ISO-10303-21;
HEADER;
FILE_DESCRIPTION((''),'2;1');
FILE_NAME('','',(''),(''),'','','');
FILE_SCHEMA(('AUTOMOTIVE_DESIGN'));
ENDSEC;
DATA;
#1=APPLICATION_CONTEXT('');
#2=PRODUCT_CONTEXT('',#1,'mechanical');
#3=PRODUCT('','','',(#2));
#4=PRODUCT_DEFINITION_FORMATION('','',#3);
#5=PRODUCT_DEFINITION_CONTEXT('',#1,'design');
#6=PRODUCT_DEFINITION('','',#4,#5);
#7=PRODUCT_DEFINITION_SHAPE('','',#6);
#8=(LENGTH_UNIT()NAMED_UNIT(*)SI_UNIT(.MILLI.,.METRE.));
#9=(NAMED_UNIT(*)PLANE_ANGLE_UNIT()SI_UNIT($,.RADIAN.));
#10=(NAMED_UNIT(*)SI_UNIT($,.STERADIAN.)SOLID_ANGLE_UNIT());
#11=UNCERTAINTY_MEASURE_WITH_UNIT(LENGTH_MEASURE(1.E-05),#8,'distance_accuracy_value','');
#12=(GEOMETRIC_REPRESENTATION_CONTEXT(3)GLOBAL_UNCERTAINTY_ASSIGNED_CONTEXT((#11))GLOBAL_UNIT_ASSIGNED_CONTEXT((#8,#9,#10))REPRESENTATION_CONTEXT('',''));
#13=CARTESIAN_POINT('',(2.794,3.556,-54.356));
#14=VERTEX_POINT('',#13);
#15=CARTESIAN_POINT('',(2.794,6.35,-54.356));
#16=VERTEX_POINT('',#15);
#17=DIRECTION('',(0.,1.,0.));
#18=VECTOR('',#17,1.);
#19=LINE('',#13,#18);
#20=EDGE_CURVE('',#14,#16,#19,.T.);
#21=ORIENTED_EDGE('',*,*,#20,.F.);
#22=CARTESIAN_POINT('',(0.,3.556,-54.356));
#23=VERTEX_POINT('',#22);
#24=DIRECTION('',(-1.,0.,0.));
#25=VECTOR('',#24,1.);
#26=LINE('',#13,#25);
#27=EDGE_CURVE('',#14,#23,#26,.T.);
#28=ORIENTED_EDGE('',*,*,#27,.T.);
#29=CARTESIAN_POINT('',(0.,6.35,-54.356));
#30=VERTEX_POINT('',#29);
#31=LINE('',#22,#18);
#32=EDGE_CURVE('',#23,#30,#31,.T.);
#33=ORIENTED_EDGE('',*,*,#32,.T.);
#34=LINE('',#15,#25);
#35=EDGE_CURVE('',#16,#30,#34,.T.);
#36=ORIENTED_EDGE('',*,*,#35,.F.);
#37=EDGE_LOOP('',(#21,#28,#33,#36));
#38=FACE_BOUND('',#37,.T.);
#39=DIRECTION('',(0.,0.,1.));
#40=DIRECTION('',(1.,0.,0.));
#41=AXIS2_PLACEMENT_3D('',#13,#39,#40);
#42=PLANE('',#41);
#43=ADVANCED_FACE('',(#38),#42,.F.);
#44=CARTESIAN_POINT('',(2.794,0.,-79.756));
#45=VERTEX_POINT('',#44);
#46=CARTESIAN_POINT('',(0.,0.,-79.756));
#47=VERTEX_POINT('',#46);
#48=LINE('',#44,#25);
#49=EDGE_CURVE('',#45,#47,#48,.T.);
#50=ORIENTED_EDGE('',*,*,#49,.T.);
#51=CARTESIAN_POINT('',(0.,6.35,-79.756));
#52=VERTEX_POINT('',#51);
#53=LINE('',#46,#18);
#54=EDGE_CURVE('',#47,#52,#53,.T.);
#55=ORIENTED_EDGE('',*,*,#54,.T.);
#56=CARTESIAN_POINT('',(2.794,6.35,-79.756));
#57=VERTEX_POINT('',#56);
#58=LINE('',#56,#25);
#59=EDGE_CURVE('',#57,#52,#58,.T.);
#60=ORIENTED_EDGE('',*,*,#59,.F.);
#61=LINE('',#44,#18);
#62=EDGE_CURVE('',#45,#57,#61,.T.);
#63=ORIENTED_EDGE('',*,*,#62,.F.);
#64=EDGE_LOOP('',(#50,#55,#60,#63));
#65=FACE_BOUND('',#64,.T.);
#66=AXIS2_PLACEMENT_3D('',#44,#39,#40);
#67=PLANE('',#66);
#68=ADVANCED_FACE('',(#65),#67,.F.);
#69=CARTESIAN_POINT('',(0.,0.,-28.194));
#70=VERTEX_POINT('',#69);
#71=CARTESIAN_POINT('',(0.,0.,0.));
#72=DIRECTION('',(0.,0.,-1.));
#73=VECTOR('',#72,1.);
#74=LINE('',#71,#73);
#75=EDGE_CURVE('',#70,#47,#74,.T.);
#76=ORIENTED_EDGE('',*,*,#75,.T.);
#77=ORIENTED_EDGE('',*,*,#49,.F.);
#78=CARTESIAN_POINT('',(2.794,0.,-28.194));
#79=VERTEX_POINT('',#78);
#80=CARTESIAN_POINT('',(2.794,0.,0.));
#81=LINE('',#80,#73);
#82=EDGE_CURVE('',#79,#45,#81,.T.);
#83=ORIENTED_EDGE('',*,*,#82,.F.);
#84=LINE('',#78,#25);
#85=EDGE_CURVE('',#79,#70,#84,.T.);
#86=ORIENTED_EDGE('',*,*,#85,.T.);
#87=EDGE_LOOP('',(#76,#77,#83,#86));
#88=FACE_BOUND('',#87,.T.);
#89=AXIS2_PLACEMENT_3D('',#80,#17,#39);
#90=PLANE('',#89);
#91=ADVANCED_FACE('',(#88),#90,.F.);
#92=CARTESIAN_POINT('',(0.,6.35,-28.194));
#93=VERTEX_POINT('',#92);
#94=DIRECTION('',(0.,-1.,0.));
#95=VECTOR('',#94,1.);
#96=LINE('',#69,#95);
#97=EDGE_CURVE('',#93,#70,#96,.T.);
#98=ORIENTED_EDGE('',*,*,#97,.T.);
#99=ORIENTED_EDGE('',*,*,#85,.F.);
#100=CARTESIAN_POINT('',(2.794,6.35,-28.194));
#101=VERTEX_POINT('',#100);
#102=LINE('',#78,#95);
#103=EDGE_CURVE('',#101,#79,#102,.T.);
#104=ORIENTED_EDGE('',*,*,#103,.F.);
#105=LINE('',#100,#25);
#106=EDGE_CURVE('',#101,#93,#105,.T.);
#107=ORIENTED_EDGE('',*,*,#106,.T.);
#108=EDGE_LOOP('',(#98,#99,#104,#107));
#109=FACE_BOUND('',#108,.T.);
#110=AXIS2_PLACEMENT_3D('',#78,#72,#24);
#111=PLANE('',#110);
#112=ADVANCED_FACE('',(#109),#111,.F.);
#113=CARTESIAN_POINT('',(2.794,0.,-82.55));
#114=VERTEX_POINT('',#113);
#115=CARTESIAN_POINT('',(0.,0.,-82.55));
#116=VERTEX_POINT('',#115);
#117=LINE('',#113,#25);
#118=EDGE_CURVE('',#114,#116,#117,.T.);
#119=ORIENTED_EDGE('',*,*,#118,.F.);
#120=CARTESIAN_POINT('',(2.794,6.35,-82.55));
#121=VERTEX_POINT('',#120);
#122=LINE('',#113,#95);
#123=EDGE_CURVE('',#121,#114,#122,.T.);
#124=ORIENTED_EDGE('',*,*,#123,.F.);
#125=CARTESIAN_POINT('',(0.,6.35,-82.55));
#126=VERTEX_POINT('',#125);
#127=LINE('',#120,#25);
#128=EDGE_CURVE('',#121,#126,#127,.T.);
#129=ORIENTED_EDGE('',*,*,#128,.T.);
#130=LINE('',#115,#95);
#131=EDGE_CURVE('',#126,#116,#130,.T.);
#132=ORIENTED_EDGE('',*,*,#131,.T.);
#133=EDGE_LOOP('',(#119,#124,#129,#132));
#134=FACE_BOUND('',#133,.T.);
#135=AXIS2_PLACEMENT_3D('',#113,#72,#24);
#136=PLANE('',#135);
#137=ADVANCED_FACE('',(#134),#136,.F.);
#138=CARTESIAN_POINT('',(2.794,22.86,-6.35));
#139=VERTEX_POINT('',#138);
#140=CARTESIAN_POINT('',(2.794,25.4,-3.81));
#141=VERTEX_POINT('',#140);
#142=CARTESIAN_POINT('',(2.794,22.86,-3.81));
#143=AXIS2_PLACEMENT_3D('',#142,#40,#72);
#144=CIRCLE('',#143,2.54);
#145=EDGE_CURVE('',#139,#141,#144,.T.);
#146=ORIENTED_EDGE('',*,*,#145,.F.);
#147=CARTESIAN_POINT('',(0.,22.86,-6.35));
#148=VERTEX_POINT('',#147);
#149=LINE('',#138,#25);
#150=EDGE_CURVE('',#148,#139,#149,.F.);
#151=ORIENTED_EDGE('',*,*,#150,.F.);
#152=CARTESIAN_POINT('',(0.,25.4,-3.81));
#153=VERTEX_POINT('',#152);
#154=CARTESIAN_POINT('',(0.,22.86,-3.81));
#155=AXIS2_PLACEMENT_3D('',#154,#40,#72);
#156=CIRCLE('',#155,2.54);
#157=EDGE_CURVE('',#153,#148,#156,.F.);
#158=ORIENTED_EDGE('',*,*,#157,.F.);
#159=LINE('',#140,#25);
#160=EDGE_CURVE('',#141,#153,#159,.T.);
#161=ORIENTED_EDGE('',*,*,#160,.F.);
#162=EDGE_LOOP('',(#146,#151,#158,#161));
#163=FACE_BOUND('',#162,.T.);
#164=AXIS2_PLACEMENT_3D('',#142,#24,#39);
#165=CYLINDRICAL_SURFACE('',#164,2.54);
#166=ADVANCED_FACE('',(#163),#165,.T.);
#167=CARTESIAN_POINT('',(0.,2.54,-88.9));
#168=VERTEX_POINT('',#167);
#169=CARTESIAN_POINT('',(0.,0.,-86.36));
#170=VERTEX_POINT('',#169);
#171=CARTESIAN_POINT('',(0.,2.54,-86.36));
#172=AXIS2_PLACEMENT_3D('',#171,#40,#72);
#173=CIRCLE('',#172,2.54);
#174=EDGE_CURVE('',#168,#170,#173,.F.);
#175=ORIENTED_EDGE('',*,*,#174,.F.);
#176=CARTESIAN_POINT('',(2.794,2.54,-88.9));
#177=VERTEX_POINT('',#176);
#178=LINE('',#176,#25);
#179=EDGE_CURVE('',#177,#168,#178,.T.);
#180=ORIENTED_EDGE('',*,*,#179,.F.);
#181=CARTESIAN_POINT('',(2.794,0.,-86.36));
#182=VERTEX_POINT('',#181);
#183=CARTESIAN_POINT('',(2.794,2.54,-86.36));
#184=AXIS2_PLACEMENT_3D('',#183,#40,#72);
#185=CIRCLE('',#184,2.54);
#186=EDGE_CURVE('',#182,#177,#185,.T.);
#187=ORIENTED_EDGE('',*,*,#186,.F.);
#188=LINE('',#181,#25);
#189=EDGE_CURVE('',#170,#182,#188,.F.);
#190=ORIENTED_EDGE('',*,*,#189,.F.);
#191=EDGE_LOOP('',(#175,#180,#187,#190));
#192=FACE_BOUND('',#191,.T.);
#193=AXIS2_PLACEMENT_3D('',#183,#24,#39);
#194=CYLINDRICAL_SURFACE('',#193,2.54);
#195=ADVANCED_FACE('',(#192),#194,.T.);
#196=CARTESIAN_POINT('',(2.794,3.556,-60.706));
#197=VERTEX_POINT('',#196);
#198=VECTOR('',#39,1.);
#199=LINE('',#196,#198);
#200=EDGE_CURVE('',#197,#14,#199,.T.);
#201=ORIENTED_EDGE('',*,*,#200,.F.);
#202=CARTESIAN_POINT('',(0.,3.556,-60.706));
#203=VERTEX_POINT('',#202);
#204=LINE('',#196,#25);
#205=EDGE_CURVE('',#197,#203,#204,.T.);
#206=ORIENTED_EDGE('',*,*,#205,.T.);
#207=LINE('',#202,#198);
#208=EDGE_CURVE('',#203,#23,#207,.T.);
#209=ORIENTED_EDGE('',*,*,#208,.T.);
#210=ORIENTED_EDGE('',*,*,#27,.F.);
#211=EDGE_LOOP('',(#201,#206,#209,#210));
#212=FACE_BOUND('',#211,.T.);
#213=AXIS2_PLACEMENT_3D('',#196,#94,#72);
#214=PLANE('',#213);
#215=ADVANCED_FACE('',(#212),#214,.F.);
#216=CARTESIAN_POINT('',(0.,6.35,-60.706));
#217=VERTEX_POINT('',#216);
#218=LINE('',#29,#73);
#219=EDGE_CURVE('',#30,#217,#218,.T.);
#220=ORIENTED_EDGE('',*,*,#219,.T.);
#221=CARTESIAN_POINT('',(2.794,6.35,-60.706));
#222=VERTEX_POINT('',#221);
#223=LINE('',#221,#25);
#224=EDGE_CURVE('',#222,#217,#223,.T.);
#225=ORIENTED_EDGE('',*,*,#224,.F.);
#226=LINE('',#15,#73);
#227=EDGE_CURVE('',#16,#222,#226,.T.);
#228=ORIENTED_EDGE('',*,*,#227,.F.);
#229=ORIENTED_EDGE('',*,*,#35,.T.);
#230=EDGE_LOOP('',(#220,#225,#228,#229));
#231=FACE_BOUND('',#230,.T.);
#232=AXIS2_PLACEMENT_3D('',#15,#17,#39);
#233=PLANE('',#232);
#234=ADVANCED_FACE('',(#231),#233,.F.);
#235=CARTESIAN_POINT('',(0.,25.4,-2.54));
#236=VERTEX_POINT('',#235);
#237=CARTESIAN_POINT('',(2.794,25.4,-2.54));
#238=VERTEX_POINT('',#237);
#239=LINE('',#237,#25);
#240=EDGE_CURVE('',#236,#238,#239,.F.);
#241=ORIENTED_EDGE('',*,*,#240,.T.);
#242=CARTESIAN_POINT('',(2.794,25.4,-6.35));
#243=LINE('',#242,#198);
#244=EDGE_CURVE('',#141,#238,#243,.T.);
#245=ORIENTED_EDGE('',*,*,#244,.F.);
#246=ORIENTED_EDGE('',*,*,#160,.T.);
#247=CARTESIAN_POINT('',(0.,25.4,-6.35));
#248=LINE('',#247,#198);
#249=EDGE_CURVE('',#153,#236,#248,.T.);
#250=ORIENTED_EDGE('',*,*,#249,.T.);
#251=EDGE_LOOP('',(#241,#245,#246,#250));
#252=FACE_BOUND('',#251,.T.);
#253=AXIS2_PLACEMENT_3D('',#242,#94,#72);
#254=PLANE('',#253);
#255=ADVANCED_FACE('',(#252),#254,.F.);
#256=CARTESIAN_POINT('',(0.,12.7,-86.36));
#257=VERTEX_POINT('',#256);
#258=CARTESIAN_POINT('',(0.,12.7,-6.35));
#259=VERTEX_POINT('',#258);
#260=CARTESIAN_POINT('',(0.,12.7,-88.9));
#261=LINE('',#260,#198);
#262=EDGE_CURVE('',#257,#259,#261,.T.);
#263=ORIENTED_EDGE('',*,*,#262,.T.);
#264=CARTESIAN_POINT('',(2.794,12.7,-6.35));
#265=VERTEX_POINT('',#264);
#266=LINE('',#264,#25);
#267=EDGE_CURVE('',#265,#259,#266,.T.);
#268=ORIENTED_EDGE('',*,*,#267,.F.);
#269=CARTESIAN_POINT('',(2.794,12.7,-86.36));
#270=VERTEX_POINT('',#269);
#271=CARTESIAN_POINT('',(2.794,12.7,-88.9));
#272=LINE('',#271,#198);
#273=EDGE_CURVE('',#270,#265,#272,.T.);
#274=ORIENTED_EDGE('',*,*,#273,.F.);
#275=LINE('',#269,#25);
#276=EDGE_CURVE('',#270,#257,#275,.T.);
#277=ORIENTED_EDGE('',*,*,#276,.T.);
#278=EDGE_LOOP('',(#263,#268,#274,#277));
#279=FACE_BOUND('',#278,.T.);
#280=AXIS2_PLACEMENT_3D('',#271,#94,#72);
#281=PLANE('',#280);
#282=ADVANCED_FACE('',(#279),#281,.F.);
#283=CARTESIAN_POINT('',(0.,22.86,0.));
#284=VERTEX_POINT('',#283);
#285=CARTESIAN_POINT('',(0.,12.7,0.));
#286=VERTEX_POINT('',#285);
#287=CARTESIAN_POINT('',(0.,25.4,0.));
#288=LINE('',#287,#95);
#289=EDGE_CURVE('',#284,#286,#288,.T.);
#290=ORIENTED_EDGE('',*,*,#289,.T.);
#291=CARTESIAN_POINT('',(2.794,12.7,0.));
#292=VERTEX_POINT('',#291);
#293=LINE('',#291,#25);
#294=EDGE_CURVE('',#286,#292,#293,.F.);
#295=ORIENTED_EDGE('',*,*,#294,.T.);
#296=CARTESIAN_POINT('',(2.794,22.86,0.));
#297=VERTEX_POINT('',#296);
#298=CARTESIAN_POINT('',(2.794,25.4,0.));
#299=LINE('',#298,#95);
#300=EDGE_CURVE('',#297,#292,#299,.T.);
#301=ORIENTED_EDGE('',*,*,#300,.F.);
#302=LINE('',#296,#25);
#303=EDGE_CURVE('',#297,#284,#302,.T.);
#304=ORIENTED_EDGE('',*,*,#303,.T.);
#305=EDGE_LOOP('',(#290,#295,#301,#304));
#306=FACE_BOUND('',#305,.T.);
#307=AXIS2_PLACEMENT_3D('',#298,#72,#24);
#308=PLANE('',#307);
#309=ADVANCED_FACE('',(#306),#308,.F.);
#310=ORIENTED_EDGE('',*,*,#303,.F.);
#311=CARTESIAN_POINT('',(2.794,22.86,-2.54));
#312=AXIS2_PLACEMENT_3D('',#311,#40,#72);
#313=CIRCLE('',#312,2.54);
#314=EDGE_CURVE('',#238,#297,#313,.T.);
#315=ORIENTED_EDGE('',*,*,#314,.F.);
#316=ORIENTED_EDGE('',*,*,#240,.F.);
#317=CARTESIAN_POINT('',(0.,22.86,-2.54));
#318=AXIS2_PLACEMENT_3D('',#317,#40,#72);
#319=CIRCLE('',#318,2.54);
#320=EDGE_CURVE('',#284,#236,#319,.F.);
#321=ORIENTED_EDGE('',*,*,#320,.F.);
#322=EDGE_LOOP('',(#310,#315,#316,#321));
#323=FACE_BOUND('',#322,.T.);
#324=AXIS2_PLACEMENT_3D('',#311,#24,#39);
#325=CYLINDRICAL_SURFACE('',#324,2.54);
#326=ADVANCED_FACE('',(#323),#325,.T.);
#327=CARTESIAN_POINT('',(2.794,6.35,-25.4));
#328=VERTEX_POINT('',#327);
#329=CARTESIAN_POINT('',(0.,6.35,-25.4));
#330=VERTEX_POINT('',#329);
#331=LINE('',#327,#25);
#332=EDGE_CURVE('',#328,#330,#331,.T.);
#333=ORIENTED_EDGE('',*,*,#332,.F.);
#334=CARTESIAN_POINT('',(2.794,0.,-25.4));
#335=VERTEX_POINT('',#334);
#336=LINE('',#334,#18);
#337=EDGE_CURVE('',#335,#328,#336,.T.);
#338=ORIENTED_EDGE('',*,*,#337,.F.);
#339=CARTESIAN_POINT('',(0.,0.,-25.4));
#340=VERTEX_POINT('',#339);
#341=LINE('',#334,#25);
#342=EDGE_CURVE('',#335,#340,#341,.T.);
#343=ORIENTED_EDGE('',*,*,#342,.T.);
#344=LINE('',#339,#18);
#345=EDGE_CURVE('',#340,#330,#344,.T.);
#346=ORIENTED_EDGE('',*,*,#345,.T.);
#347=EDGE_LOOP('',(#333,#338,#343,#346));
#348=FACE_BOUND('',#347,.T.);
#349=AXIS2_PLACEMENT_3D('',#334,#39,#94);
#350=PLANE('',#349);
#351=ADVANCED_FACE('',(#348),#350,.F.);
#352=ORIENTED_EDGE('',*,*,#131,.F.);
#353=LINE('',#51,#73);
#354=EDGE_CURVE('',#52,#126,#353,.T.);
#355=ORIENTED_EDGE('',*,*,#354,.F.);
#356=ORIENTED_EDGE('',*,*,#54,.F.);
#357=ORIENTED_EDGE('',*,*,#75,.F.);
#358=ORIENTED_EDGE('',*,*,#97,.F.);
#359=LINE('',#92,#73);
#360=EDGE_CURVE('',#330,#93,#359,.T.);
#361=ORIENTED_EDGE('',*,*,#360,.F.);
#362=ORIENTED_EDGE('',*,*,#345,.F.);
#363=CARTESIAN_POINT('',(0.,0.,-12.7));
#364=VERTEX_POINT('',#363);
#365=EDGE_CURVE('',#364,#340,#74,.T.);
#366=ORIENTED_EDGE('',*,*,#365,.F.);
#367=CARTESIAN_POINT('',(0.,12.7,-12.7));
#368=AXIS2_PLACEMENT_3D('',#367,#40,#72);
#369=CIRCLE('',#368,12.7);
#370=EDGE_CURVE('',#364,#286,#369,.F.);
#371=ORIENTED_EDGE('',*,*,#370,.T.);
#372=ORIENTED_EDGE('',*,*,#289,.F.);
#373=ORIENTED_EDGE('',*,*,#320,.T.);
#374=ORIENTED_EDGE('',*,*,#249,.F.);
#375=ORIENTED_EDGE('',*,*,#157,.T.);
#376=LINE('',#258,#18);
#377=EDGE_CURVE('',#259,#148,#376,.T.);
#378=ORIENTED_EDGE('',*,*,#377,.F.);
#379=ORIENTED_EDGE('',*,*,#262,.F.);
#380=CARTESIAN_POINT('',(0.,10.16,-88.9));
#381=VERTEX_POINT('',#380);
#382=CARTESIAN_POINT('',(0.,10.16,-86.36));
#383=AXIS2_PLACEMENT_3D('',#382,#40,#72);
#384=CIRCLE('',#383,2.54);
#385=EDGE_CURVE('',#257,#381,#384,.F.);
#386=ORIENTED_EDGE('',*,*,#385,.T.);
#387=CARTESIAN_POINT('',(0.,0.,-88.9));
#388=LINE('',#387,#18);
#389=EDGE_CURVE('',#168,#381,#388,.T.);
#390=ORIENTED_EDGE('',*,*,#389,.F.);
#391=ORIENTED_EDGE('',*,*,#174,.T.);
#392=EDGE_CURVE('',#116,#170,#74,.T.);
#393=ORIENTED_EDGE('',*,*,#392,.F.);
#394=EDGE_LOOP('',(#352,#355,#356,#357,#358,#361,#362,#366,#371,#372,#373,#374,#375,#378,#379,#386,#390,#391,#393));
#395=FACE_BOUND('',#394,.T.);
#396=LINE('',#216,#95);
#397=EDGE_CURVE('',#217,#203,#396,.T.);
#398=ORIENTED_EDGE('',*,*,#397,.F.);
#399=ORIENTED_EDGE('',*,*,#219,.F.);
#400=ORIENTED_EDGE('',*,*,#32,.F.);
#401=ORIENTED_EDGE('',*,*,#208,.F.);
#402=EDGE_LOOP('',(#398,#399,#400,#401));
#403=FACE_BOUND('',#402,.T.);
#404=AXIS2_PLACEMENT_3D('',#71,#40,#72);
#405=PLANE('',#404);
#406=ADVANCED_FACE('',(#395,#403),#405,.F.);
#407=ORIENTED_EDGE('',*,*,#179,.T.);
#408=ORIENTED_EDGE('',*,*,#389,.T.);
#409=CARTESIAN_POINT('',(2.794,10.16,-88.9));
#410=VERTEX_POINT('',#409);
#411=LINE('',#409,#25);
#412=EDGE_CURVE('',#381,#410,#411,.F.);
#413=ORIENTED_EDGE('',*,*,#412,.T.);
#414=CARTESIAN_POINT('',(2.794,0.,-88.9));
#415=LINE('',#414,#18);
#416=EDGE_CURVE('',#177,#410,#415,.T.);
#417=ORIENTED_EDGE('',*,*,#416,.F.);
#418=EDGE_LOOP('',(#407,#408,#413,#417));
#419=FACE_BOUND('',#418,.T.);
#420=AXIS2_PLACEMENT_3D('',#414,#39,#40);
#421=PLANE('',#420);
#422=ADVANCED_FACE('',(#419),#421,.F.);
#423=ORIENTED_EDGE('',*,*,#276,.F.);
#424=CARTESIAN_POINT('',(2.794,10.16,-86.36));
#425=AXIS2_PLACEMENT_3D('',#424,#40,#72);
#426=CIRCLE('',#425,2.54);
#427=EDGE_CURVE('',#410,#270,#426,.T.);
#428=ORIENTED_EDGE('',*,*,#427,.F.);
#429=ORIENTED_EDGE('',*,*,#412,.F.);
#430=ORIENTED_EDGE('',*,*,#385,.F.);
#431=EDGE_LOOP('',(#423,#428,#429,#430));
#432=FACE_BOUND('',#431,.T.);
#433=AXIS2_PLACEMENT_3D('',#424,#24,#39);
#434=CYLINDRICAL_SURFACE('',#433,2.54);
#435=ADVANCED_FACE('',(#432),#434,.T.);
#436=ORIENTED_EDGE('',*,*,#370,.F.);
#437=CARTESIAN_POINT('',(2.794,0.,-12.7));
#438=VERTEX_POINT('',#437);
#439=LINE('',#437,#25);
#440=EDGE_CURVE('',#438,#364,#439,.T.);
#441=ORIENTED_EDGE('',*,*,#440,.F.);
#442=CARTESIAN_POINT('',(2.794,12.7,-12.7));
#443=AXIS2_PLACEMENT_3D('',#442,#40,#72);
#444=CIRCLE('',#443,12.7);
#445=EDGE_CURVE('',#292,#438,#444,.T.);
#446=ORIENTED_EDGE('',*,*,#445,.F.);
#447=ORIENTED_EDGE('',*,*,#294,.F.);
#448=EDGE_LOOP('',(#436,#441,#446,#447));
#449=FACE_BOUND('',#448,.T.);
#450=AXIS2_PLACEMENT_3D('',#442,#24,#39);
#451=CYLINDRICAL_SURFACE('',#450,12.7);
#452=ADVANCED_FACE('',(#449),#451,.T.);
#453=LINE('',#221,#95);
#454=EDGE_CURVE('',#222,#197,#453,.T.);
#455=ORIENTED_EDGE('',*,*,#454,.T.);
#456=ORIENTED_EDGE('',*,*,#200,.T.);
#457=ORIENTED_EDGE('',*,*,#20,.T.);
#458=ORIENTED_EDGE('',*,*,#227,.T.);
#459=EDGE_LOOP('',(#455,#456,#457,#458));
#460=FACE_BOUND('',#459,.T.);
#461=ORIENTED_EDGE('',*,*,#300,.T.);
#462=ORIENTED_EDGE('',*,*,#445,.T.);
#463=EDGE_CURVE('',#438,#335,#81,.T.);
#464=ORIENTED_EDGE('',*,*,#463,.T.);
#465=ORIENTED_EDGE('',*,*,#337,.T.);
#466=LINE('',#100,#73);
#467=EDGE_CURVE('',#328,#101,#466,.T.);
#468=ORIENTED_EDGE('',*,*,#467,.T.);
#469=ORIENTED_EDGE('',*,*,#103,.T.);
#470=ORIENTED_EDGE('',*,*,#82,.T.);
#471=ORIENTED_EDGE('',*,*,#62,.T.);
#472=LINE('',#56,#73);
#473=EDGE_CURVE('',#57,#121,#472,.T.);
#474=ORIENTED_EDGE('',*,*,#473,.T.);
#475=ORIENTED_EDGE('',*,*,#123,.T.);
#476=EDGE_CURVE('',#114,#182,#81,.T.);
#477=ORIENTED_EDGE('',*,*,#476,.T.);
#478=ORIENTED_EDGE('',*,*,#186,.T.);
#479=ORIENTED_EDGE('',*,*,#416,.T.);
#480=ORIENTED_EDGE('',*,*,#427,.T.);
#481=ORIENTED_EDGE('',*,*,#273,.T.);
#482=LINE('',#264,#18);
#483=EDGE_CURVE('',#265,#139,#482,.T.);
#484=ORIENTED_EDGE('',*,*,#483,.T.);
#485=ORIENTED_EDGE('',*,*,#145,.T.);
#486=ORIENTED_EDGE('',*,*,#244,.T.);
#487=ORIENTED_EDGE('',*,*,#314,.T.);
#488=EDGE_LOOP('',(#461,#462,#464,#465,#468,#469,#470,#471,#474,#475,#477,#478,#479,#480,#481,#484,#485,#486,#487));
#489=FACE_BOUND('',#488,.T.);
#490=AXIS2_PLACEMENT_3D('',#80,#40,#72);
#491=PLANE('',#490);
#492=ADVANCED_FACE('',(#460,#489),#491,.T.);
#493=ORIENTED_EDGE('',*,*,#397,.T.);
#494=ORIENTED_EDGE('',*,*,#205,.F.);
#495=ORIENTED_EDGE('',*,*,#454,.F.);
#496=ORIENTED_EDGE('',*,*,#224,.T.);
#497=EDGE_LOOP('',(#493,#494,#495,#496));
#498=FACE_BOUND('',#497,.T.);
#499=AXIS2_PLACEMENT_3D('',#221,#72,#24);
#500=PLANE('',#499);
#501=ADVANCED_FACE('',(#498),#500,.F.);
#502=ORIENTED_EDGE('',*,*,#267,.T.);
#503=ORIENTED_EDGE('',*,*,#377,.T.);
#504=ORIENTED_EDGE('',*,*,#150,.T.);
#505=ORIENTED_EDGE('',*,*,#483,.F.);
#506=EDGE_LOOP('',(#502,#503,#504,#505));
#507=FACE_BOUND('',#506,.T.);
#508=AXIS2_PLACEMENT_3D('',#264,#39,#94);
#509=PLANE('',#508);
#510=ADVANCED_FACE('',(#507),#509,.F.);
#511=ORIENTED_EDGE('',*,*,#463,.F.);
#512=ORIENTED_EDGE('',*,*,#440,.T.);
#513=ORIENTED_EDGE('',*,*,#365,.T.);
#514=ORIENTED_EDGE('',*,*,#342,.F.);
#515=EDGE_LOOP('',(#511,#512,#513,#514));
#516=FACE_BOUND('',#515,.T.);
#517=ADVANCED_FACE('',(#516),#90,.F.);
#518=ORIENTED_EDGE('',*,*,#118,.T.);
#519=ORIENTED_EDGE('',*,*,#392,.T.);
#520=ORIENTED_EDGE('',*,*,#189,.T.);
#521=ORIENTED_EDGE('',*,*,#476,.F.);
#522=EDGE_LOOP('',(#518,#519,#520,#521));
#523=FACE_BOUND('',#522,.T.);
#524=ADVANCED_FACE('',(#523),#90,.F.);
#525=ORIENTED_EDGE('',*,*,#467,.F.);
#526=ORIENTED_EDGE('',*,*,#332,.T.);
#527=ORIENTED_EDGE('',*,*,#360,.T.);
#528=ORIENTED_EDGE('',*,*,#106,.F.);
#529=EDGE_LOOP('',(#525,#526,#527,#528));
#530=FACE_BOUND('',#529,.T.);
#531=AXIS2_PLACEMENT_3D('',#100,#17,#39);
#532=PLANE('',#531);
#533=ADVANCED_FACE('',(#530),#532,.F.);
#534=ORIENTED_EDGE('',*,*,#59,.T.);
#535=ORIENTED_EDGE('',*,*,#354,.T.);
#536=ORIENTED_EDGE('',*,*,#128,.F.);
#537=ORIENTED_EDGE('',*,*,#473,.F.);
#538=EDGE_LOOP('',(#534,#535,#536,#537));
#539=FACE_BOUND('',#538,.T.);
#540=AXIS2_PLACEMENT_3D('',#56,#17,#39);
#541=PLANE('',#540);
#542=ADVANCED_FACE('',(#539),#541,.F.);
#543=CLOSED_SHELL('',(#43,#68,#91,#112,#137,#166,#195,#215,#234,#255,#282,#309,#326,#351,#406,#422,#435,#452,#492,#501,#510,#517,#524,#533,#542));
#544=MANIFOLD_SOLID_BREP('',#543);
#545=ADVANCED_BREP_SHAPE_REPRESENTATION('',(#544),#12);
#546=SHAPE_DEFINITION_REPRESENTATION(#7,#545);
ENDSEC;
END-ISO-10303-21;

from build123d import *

# Parameters (mm, degrees)
BOSS_EXTRUDE1_DEPTH = 2.794
FILLET1_R           = 2.54
FILLET2_R           = 12.7
SKETCH2_W           = 2.794
SKETCH2_H           = 6.35
SKETCH2_W_2         = 6.35
SKETCH2_H_2         = 2.794
CUT_EXTRUDE1_DEPTH  = 93.499602356


with BuildPart() as part:
    # Sketch1 → Boss-Extrude1 (new body)
    with BuildSketch(Plane(origin=(0, 0, 0), x_dir=(0, 0, -1), z_dir=(1, 0, 0))):
        Polygon((0, 0), (88.9, 0), (88.9, 12.7), (6.35, 12.7), (6.35, 25.4), (0, 25.4), align=None)
    extrude(amount=BOSS_EXTRUDE1_DEPTH)

    # Fillet1
    fillet1_edges = [part.edges().sort_by_distance(p)[0] for p in [
        (1.397, 25.4, 0),
        (1.397, 25.4, -6.35),
        (1.397, 12.7, -88.9),
        (1.397, 0, -88.9),
    ]]
    fillet(fillet1_edges, radius=FILLET1_R)

    # Fillet2
    fillet2_edges = [part.edges().sort_by_distance(p)[0] for p in [
        (1.397, 0, 0),
    ]]
    fillet(fillet2_edges, radius=FILLET2_R)

    # Sketch2 → Cut-Extrude1 (cut, through all)
    with BuildSketch(Plane.ZY):
        with Locations((-26.797, 3.175)):
            Rectangle(SKETCH2_W, SKETCH2_H)
        with Locations((-81.153, 3.175)):
            Rectangle(SKETCH2_W, SKETCH2_H)
        with Locations((-57.531, 4.953)):
            Rectangle(SKETCH2_W_2, SKETCH2_H_2)
    extrude(amount=-CUT_EXTRUDE1_DEPTH, mode=Mode.SUBTRACT)


solid = part.part
